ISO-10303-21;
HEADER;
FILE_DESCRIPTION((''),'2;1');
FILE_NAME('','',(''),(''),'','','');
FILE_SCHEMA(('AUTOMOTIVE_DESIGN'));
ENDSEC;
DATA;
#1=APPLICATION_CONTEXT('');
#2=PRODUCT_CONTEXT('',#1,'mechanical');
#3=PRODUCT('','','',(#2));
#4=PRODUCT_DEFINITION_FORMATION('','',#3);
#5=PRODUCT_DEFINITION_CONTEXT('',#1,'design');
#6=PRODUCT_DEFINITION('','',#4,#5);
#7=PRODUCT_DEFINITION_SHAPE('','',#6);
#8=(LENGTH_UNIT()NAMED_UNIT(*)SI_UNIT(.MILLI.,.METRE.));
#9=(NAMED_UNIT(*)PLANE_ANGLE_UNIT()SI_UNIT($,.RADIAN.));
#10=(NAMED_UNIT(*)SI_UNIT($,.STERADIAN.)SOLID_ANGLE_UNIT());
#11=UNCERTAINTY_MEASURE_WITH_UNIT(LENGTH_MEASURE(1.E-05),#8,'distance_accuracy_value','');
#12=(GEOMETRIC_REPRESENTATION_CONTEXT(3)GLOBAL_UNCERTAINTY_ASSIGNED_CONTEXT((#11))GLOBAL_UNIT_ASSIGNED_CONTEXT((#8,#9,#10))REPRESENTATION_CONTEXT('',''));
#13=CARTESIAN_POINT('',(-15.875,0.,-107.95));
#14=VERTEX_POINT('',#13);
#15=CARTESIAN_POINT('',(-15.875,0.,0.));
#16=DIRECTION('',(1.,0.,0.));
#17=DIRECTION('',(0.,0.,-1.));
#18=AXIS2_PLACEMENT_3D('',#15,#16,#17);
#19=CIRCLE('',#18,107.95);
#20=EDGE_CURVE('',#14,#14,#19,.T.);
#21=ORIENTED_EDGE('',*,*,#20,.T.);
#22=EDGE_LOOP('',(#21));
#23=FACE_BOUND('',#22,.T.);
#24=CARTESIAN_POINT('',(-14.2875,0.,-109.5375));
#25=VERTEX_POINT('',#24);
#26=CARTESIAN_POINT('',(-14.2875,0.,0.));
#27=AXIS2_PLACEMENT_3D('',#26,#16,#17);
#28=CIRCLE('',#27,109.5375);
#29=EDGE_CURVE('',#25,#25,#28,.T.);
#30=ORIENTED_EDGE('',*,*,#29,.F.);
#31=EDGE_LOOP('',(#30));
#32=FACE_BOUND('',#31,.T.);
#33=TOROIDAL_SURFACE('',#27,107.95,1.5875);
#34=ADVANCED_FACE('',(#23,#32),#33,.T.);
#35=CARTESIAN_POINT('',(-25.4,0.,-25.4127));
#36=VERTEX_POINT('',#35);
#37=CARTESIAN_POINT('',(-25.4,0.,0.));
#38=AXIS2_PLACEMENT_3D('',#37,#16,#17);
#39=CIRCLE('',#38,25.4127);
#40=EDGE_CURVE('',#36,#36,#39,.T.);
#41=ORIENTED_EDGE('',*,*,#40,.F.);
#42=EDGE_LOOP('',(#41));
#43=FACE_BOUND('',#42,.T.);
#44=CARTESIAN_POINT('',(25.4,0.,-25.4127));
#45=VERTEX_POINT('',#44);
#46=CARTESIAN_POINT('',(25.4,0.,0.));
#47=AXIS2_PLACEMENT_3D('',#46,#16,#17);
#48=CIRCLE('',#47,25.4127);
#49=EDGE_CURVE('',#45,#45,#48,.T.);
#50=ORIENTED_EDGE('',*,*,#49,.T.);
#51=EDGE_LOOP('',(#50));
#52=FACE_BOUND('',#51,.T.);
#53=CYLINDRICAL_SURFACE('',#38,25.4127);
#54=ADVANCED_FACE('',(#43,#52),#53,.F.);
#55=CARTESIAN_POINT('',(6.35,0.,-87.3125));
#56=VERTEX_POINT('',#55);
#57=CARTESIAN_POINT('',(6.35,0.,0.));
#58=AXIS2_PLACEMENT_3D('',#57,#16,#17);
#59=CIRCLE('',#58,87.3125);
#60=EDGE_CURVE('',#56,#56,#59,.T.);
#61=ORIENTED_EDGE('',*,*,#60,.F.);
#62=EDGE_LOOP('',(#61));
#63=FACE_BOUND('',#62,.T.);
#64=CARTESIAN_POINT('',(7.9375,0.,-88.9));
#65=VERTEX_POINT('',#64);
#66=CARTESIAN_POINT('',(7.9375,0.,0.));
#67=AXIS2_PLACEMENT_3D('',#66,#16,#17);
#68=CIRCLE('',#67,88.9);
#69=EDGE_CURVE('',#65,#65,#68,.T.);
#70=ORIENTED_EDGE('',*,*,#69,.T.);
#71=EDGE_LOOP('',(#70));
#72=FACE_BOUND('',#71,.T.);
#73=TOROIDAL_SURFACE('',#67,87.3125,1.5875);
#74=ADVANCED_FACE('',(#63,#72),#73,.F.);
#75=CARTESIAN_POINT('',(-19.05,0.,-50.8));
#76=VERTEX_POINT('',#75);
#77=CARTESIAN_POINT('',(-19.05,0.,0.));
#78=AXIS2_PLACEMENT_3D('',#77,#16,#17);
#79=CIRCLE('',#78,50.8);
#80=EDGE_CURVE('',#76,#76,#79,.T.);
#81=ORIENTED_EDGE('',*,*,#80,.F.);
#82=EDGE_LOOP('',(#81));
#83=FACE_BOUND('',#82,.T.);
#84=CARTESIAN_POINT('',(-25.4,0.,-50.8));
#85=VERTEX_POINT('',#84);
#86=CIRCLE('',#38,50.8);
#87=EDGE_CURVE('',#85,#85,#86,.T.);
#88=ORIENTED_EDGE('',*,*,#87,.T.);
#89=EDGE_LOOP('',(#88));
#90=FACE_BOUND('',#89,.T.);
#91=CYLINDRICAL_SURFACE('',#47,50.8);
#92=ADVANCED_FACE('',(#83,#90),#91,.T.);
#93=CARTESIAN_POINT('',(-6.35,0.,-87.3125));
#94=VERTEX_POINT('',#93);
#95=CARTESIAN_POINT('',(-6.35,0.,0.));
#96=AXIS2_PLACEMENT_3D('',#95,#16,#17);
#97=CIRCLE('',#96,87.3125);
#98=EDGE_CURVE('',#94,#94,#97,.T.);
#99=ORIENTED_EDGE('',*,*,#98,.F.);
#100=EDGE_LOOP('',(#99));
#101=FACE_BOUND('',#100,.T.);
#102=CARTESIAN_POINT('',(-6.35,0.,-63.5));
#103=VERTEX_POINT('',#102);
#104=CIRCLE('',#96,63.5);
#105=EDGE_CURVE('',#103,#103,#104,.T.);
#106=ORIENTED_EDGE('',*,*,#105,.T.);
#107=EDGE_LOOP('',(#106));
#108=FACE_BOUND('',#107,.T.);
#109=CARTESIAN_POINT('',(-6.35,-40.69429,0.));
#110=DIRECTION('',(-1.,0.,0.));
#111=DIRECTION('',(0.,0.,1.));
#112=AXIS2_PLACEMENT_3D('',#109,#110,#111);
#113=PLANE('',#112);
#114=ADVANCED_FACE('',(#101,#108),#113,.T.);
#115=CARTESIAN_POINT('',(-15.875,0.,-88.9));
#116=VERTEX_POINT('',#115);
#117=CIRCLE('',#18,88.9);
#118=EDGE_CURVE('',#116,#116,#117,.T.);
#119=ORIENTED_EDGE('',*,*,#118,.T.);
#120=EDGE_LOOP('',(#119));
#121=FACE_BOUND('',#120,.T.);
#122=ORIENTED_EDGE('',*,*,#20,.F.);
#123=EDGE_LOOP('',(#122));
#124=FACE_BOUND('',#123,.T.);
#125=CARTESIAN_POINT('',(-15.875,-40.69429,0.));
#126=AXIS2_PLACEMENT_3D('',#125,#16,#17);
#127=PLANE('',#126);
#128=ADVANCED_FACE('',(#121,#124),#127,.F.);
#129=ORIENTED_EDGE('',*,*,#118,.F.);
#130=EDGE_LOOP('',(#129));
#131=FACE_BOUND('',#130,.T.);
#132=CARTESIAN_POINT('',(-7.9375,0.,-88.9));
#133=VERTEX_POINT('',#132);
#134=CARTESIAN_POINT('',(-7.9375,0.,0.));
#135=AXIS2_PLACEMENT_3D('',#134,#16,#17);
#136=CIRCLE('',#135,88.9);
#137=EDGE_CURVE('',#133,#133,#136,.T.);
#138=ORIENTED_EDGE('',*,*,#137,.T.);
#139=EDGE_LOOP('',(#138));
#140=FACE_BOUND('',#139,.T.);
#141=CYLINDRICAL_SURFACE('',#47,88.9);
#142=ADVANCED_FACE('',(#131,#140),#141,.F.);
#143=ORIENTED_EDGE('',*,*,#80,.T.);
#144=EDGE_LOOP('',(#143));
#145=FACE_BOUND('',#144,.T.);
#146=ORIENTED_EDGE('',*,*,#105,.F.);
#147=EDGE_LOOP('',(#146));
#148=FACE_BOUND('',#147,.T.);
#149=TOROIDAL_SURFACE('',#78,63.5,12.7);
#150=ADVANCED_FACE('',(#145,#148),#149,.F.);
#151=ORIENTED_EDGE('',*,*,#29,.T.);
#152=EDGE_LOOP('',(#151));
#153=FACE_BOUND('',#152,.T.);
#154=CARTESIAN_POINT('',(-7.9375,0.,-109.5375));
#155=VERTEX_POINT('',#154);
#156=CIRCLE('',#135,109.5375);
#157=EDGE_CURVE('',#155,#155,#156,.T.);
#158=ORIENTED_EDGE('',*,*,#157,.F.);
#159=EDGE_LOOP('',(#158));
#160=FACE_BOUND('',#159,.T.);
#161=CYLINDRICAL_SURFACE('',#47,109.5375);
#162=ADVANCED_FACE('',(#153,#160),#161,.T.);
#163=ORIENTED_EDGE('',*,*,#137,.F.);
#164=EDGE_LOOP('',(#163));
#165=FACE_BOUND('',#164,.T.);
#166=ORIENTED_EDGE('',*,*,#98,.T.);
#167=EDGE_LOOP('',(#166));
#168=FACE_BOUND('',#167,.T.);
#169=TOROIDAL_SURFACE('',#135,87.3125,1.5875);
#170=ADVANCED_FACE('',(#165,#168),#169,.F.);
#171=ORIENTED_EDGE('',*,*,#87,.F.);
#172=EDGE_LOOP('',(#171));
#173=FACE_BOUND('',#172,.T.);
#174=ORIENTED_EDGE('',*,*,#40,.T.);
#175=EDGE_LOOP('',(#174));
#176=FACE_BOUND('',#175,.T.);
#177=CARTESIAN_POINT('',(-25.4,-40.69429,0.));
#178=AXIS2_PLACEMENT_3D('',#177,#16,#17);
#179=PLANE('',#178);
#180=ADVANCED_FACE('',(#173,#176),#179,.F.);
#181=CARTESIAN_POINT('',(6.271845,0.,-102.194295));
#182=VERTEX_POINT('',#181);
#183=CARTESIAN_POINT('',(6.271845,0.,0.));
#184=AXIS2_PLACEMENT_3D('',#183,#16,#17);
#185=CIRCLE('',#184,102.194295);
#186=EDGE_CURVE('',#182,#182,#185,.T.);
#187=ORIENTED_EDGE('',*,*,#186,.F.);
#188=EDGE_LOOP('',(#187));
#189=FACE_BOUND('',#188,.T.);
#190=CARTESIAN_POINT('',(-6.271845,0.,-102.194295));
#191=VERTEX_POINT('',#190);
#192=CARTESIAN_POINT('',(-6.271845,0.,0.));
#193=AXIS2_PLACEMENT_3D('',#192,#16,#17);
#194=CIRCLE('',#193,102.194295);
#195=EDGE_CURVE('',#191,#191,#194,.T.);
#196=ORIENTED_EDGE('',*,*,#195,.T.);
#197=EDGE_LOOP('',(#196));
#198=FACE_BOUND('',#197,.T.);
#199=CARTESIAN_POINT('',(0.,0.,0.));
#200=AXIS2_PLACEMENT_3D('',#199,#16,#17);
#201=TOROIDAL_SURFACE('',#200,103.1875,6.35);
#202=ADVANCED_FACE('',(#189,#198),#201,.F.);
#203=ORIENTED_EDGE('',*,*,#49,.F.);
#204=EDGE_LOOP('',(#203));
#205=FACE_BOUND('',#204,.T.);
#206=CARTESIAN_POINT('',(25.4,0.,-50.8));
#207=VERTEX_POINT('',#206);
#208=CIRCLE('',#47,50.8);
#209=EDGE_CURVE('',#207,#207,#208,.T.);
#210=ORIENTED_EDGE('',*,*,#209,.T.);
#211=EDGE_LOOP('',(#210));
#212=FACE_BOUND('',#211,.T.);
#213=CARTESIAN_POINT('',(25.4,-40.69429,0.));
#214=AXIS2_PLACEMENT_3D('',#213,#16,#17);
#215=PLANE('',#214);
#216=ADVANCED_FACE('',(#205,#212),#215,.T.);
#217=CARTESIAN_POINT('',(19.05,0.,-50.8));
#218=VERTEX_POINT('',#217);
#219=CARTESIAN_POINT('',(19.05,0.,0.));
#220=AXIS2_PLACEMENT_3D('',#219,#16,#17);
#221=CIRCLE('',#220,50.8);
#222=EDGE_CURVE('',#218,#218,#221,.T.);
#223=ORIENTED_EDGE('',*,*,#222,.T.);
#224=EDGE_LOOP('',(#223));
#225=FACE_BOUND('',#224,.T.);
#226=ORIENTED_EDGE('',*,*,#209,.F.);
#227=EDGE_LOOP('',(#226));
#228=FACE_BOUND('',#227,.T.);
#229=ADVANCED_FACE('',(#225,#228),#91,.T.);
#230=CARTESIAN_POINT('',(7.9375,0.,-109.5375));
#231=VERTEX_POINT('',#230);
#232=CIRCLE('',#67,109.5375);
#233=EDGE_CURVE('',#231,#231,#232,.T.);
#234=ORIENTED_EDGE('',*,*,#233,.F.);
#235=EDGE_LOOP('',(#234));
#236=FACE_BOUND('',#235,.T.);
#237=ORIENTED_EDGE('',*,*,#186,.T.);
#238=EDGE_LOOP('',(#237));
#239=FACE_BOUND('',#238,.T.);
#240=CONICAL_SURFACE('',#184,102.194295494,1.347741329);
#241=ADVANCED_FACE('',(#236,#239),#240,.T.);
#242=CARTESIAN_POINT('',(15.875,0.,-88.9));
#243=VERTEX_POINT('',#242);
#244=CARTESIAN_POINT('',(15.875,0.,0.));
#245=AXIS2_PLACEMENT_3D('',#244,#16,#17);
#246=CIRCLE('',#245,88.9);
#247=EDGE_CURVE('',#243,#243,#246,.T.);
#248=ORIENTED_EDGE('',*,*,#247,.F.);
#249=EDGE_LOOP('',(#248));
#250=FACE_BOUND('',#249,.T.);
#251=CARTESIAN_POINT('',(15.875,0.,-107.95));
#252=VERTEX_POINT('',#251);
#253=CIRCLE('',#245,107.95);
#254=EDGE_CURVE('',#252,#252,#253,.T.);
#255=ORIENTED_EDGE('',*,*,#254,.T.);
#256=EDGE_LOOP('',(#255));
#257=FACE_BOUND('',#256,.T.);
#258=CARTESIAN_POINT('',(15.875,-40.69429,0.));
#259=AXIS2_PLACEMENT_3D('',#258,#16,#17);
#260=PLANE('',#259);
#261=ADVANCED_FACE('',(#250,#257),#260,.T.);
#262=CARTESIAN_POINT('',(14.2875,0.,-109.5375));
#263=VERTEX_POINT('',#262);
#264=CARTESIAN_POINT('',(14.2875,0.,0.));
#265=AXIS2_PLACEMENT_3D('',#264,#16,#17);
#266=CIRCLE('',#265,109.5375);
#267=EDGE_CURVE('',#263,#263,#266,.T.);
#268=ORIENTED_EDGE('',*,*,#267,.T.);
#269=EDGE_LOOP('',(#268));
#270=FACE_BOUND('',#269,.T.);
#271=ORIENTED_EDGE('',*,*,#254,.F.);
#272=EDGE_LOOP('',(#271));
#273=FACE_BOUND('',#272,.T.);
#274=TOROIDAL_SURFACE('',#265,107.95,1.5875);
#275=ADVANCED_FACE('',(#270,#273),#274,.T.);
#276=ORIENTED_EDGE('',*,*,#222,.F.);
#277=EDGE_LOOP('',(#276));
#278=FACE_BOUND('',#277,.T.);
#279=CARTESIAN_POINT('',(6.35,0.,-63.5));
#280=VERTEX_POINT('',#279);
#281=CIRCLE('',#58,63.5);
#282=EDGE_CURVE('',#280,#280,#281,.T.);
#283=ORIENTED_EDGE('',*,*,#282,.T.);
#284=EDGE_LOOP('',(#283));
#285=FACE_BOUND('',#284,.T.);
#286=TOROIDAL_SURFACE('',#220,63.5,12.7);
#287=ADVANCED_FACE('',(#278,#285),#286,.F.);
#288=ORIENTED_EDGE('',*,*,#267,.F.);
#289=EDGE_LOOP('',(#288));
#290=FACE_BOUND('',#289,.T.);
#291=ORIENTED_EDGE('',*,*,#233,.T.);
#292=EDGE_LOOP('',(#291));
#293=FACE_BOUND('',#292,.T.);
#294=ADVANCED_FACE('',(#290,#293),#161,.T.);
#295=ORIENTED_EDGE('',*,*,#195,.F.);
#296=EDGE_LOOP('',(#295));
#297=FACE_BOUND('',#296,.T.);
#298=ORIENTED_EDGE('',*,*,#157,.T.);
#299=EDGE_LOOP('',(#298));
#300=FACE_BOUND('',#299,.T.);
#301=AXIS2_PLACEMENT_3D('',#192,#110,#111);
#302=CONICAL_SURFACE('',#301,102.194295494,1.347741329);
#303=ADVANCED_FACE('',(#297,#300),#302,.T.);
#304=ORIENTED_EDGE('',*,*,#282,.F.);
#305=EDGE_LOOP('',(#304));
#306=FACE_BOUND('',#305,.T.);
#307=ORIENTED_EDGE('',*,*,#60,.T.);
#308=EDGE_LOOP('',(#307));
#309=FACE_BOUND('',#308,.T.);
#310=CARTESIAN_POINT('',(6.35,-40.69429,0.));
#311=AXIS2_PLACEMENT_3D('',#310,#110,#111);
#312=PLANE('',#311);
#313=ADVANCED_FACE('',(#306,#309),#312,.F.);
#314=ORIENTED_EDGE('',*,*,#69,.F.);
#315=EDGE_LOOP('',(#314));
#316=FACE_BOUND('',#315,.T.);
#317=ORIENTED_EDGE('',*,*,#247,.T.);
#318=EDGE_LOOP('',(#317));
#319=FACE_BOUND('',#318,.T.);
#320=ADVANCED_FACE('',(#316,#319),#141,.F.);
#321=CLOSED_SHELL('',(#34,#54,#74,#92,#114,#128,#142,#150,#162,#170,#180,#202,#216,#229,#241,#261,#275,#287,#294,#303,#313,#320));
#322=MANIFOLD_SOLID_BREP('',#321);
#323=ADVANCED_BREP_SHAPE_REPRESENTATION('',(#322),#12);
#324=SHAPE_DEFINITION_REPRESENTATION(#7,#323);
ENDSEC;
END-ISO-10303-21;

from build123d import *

# Parameters (mm, degrees)
SKETCH2_R          = 25.4127
CUT_EXTRUDE1_DEPTH = 51.8


with BuildPart() as part:
    # Sketch1 → Revolve1 (revolve)
    with BuildSketch(Plane.XY, mode=Mode.PRIVATE) as revolve1_sk:
        with BuildLine():
            Line((6.35, 87.3125), (6.35, 63.5))
            ThreePointArc((6.35, 63.5), (10.069743879, 54.519743879), (19.05, 50.8))
            Line((19.05, 50.8), (25.4, 50.8))
            Line((25.4, 50.8), (25.4, 0))
            Line((25.4, 0), (-25.4, 0))
            Line((-25.4, 0), (-25.4, 50.8))
            Line((-25.4, 50.8), (-19.05, 50.8))
            ThreePointArc((-19.05, 50.8), (-10.069743879, 54.519743879), (-6.35, 63.5))
            Line((-6.35, 63.5), (-6.35, 87.3125))
            ThreePointArc((-6.35, 87.3125), (-6.814967985, 88.435032015), (-7.9375, 88.9))
            Line((-7.9375, 88.9), (-15.875, 88.9))
            Line((-15.875, 88.9), (-15.875, 107.95))
            ThreePointArc((-15.875, 107.95), (-15.410032015, 109.072532015), (-14.2875, 109.5375))
            Line((-14.2875, 109.5375), (-7.9375, 109.5375))
            Line((-7.9375, 109.5375), (-6.271845407, 102.194295494))
            ThreePointArc((-6.271845407, 102.194295494), (0, 96.8375), (6.271845407, 102.194295494))
            Line((6.271845407, 102.194295494), (7.9375, 109.5375))
            Line((7.9375, 109.5375), (14.2875, 109.5375))
            ThreePointArc((14.2875, 109.5375), (15.410032015, 109.072532015), (15.875, 107.95))
            Line((15.875, 107.95), (15.875, 88.9))
            Line((15.875, 88.9), (7.9375, 88.9))
            ThreePointArc((7.9375, 88.9), (6.814967985, 88.435032015), (6.35, 87.3125))
        make_face()
    revolve(revolve1_sk.sketch.rotate(Axis((25.4, 0, 0), (-1, 0, 0)), 90), axis=Axis((25.4, 0, 0), (-1, 0, 0)))  # turned: the seam where the file's is

    # Sketch2 → Cut-Extrude1 (cut, through all)
    with BuildSketch(Plane(origin=(25.4, 0, 0), x_dir=(0, 0, -1), z_dir=(1, 0, 0))):
        Circle(SKETCH2_R)
    extrude(amount=-CUT_EXTRUDE1_DEPTH, mode=Mode.SUBTRACT)


solid = part.part
